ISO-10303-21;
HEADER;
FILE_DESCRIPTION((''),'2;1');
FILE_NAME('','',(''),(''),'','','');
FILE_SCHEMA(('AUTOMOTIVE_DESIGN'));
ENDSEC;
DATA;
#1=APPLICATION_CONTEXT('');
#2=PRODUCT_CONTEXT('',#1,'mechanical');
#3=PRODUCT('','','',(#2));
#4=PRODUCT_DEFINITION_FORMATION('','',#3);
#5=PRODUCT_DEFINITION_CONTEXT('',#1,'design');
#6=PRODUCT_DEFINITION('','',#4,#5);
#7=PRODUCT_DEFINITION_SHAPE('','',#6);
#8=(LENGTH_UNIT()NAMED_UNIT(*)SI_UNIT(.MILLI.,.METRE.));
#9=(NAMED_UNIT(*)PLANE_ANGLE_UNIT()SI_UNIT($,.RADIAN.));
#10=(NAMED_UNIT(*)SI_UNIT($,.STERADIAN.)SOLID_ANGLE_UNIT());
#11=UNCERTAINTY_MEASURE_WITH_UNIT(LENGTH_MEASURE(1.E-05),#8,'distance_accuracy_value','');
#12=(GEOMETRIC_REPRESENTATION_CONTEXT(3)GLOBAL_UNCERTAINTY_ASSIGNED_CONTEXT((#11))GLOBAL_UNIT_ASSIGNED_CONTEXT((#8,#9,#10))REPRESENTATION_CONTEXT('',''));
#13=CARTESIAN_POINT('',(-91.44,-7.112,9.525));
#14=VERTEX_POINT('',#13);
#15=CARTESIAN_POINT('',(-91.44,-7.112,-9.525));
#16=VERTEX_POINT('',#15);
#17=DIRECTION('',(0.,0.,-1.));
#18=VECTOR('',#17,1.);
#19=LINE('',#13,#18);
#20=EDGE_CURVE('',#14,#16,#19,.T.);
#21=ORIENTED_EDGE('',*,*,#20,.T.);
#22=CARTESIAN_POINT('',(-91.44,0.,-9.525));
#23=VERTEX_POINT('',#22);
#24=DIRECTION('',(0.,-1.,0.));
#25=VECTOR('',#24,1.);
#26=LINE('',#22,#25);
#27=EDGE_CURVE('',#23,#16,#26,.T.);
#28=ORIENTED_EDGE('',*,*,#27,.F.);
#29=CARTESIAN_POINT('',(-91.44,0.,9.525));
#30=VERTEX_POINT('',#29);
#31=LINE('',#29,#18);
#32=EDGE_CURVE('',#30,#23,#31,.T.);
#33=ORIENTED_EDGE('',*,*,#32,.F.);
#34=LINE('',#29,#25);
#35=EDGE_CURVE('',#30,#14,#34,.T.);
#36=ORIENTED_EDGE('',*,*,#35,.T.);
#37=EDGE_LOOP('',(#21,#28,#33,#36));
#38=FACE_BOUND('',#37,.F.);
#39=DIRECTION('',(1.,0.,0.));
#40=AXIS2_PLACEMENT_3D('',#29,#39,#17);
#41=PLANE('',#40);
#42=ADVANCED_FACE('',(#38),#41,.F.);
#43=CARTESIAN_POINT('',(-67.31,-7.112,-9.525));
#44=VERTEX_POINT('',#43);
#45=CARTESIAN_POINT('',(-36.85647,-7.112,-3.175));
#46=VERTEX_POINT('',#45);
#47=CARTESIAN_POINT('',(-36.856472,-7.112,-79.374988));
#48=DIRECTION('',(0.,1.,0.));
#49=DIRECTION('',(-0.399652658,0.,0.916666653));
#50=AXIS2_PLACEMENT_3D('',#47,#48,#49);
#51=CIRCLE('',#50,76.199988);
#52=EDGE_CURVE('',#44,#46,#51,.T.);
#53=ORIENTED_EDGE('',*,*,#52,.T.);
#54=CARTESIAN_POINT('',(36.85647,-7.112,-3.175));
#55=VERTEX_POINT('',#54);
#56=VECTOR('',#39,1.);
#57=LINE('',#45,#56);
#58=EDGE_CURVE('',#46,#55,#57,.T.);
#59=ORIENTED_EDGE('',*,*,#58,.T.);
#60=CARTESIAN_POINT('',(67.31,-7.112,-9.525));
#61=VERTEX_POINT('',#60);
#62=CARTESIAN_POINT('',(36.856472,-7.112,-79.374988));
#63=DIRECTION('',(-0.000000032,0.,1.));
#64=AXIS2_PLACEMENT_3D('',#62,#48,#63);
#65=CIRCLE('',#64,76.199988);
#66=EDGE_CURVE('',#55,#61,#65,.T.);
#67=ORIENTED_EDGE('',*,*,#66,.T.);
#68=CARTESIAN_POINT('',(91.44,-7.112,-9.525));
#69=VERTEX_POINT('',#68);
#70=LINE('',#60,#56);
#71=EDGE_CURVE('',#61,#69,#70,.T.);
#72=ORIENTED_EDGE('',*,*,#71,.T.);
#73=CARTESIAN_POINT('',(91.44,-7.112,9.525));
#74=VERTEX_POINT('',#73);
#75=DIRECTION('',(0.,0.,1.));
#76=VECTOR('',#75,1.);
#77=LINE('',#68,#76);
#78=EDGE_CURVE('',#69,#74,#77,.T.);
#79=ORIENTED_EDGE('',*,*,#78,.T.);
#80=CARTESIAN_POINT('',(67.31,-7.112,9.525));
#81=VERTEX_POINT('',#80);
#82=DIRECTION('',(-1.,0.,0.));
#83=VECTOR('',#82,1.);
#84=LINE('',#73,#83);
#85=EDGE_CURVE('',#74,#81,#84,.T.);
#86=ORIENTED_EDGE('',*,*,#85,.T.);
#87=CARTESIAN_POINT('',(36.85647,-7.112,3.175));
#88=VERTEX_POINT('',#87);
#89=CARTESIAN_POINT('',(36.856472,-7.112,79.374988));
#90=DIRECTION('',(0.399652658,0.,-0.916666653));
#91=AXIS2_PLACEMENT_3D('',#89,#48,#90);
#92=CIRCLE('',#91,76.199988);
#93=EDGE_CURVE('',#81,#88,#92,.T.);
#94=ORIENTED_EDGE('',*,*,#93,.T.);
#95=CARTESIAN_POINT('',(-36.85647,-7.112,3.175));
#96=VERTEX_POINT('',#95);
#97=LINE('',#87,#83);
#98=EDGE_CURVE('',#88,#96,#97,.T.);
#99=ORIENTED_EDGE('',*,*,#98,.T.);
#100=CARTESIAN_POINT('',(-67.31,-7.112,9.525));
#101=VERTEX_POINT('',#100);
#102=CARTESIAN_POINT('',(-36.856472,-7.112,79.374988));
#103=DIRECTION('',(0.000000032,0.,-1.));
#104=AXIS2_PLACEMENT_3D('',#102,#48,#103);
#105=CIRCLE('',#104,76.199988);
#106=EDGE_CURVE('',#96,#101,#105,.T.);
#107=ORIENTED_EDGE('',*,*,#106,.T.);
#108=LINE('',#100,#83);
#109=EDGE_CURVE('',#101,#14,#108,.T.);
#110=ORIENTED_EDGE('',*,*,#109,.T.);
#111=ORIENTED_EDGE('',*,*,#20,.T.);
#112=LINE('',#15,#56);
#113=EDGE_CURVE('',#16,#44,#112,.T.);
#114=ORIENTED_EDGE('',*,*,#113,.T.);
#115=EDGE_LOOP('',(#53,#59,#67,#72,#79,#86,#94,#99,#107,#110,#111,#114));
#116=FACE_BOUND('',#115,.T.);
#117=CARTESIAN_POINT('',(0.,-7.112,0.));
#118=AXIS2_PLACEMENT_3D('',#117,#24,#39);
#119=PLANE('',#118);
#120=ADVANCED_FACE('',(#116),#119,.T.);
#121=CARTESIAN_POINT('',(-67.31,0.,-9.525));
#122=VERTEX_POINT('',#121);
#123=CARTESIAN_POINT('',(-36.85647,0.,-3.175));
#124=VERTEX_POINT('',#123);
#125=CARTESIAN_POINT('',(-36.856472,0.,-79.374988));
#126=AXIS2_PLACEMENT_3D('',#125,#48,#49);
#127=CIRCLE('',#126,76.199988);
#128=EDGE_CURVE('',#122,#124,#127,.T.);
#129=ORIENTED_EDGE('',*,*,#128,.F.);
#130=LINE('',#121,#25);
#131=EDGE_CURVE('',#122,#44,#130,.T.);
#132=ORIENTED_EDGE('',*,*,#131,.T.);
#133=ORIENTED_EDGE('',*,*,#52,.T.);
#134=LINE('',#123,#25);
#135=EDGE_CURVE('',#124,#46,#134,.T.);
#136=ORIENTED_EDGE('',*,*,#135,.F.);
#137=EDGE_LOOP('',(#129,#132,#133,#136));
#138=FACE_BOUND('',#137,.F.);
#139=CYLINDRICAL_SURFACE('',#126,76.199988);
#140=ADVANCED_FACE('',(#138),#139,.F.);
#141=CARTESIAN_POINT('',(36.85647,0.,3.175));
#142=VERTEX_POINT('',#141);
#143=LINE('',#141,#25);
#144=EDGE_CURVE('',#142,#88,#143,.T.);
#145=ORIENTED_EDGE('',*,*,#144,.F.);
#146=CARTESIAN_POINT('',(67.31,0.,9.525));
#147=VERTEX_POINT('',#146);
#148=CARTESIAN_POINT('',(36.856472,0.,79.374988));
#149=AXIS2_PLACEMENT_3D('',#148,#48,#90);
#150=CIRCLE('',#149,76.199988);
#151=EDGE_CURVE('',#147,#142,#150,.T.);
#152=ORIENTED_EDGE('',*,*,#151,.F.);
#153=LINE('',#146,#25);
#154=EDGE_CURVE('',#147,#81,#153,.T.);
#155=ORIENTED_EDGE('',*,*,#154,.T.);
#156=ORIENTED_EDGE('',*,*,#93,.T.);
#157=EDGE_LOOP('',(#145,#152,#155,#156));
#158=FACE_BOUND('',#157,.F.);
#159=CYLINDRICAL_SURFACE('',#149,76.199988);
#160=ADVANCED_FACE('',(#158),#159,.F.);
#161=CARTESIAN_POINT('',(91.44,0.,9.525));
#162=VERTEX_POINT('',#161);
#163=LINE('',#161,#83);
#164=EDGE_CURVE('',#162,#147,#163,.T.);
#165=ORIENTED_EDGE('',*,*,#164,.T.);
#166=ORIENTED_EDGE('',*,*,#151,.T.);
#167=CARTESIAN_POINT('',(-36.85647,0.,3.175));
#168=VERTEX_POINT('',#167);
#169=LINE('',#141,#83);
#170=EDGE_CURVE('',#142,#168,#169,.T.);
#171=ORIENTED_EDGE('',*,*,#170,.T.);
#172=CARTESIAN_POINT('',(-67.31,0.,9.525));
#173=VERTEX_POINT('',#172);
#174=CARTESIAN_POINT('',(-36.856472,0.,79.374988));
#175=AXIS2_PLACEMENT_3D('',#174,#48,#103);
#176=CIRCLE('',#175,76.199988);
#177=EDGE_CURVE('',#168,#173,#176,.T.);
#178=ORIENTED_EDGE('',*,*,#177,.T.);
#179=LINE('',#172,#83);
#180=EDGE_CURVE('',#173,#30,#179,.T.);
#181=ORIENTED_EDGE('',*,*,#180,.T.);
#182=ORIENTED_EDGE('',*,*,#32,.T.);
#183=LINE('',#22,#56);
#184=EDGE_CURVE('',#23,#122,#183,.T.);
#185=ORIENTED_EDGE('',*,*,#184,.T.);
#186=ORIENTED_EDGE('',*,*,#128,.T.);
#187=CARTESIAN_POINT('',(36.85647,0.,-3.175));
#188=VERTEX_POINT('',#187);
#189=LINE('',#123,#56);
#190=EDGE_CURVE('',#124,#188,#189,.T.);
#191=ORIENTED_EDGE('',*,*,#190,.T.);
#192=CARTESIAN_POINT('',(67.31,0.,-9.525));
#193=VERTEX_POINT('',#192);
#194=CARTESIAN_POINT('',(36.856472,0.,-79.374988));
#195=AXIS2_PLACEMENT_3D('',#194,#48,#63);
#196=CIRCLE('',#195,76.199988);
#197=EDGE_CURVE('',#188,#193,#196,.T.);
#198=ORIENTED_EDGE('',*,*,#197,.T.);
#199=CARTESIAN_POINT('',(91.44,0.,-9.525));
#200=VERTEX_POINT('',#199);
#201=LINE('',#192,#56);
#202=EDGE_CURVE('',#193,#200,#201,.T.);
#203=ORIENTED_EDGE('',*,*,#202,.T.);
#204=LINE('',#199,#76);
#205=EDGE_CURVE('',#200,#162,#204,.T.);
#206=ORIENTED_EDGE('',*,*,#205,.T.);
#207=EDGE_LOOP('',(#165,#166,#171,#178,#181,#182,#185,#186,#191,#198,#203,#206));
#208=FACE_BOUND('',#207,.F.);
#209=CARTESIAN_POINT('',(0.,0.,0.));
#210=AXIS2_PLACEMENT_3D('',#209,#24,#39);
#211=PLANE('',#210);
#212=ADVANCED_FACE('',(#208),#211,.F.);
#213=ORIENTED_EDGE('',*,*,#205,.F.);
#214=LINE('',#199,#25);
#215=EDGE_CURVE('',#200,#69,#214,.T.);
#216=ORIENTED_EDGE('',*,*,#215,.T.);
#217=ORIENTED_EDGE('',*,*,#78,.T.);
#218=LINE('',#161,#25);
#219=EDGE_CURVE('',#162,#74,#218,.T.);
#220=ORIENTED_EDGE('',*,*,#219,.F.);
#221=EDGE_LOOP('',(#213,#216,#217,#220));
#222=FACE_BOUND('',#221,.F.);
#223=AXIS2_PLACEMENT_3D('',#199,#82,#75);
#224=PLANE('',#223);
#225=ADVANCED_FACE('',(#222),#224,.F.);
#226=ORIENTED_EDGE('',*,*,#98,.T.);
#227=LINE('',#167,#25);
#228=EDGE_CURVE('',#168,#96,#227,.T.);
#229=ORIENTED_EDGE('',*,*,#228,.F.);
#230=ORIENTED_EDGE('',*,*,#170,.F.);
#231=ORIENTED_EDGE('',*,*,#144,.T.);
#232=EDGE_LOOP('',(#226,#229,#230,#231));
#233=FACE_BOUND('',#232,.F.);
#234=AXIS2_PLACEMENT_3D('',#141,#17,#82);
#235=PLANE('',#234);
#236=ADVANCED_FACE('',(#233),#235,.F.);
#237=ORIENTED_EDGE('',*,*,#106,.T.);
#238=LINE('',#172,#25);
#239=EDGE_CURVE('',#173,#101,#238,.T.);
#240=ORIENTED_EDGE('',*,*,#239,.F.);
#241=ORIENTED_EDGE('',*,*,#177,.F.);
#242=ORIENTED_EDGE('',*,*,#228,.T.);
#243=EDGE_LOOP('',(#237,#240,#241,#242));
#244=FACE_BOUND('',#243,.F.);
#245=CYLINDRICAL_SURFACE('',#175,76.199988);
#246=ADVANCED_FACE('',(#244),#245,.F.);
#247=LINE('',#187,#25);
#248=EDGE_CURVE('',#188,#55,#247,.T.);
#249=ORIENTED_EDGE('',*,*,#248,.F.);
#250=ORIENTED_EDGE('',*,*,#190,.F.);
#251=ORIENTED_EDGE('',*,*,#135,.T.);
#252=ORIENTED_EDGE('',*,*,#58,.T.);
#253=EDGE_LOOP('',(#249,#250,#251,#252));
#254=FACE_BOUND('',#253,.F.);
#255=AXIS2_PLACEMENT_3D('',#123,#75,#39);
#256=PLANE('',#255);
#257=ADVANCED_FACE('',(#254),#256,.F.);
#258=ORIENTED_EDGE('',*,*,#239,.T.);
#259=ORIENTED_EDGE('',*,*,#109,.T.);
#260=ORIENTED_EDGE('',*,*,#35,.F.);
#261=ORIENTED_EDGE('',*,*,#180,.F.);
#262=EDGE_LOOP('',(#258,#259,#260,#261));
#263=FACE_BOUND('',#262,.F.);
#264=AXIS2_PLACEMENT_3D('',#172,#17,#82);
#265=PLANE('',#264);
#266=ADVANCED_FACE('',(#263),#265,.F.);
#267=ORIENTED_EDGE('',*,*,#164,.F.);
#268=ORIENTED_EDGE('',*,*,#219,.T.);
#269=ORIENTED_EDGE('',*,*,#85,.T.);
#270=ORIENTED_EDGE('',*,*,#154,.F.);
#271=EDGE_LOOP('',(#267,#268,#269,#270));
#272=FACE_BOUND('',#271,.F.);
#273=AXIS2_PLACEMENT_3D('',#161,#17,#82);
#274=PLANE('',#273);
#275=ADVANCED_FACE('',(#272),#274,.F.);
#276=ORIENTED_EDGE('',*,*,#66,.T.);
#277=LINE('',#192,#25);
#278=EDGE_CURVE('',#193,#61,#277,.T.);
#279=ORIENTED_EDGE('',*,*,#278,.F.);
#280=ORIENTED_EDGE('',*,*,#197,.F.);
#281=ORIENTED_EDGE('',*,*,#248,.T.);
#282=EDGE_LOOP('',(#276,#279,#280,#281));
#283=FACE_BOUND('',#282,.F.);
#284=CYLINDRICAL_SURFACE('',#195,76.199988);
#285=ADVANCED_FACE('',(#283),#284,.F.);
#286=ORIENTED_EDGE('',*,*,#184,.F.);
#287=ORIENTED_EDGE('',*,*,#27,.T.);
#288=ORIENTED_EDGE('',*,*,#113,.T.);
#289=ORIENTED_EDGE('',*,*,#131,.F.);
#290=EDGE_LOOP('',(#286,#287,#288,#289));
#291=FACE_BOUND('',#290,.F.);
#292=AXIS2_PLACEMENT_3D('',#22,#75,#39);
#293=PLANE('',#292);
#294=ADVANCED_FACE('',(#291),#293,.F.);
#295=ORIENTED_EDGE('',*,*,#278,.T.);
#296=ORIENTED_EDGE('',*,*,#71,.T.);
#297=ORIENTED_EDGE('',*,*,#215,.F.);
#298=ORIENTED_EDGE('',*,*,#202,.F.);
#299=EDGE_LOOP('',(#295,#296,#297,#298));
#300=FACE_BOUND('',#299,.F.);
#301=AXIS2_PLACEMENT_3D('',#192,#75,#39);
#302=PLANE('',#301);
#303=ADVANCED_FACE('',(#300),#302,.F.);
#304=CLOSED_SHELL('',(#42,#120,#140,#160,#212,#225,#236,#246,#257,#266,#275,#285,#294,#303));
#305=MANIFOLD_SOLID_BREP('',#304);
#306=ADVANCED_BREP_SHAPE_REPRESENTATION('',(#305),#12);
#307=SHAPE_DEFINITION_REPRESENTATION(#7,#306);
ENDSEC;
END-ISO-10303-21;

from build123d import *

# Parameters (mm, degrees)
F1_DEPTH = 7.112


with BuildPart() as f1:
    # F0 (on Front) → F1 (new body)
    with BuildSketch(Plane.XZ):
        with BuildLine():
            Line((36.85647, 3.175), (0, 3.175))
            Line((0, 3.175), (-36.85647, 3.175))
            ThreePointArc((-36.85647, 3.175), (-52.41073, 4.77939), (-67.31, 9.525))
            Line((-67.31, 9.525), (-91.44, 9.525))
            Line((-91.44, 9.525), (-91.44, 0))
            Line((-91.44, 0), (-91.44, -9.525))
            Line((-91.44, -9.525), (-67.31, -9.525))
            ThreePointArc((-67.31, -9.525), (-52.41073, -4.77939), (-36.85647, -3.175))
            Line((-36.85647, -3.175), (0, -3.175))
            Line((0, -3.175), (36.85647, -3.175))
            ThreePointArc((36.85647, -3.175), (52.41073, -4.77939), (67.31, -9.525))
            Line((67.31, -9.525), (91.44, -9.525))
            Line((91.44, -9.525), (91.44, 0))
            Line((91.44, 0), (91.44, 9.525))
            Line((91.44, 9.525), (67.31, 9.525))
            ThreePointArc((67.31, 9.525), (52.41073, 4.77939), (36.85647, 3.175))
        make_face()
    extrude(amount=F1_DEPTH)


solid = f1.part
